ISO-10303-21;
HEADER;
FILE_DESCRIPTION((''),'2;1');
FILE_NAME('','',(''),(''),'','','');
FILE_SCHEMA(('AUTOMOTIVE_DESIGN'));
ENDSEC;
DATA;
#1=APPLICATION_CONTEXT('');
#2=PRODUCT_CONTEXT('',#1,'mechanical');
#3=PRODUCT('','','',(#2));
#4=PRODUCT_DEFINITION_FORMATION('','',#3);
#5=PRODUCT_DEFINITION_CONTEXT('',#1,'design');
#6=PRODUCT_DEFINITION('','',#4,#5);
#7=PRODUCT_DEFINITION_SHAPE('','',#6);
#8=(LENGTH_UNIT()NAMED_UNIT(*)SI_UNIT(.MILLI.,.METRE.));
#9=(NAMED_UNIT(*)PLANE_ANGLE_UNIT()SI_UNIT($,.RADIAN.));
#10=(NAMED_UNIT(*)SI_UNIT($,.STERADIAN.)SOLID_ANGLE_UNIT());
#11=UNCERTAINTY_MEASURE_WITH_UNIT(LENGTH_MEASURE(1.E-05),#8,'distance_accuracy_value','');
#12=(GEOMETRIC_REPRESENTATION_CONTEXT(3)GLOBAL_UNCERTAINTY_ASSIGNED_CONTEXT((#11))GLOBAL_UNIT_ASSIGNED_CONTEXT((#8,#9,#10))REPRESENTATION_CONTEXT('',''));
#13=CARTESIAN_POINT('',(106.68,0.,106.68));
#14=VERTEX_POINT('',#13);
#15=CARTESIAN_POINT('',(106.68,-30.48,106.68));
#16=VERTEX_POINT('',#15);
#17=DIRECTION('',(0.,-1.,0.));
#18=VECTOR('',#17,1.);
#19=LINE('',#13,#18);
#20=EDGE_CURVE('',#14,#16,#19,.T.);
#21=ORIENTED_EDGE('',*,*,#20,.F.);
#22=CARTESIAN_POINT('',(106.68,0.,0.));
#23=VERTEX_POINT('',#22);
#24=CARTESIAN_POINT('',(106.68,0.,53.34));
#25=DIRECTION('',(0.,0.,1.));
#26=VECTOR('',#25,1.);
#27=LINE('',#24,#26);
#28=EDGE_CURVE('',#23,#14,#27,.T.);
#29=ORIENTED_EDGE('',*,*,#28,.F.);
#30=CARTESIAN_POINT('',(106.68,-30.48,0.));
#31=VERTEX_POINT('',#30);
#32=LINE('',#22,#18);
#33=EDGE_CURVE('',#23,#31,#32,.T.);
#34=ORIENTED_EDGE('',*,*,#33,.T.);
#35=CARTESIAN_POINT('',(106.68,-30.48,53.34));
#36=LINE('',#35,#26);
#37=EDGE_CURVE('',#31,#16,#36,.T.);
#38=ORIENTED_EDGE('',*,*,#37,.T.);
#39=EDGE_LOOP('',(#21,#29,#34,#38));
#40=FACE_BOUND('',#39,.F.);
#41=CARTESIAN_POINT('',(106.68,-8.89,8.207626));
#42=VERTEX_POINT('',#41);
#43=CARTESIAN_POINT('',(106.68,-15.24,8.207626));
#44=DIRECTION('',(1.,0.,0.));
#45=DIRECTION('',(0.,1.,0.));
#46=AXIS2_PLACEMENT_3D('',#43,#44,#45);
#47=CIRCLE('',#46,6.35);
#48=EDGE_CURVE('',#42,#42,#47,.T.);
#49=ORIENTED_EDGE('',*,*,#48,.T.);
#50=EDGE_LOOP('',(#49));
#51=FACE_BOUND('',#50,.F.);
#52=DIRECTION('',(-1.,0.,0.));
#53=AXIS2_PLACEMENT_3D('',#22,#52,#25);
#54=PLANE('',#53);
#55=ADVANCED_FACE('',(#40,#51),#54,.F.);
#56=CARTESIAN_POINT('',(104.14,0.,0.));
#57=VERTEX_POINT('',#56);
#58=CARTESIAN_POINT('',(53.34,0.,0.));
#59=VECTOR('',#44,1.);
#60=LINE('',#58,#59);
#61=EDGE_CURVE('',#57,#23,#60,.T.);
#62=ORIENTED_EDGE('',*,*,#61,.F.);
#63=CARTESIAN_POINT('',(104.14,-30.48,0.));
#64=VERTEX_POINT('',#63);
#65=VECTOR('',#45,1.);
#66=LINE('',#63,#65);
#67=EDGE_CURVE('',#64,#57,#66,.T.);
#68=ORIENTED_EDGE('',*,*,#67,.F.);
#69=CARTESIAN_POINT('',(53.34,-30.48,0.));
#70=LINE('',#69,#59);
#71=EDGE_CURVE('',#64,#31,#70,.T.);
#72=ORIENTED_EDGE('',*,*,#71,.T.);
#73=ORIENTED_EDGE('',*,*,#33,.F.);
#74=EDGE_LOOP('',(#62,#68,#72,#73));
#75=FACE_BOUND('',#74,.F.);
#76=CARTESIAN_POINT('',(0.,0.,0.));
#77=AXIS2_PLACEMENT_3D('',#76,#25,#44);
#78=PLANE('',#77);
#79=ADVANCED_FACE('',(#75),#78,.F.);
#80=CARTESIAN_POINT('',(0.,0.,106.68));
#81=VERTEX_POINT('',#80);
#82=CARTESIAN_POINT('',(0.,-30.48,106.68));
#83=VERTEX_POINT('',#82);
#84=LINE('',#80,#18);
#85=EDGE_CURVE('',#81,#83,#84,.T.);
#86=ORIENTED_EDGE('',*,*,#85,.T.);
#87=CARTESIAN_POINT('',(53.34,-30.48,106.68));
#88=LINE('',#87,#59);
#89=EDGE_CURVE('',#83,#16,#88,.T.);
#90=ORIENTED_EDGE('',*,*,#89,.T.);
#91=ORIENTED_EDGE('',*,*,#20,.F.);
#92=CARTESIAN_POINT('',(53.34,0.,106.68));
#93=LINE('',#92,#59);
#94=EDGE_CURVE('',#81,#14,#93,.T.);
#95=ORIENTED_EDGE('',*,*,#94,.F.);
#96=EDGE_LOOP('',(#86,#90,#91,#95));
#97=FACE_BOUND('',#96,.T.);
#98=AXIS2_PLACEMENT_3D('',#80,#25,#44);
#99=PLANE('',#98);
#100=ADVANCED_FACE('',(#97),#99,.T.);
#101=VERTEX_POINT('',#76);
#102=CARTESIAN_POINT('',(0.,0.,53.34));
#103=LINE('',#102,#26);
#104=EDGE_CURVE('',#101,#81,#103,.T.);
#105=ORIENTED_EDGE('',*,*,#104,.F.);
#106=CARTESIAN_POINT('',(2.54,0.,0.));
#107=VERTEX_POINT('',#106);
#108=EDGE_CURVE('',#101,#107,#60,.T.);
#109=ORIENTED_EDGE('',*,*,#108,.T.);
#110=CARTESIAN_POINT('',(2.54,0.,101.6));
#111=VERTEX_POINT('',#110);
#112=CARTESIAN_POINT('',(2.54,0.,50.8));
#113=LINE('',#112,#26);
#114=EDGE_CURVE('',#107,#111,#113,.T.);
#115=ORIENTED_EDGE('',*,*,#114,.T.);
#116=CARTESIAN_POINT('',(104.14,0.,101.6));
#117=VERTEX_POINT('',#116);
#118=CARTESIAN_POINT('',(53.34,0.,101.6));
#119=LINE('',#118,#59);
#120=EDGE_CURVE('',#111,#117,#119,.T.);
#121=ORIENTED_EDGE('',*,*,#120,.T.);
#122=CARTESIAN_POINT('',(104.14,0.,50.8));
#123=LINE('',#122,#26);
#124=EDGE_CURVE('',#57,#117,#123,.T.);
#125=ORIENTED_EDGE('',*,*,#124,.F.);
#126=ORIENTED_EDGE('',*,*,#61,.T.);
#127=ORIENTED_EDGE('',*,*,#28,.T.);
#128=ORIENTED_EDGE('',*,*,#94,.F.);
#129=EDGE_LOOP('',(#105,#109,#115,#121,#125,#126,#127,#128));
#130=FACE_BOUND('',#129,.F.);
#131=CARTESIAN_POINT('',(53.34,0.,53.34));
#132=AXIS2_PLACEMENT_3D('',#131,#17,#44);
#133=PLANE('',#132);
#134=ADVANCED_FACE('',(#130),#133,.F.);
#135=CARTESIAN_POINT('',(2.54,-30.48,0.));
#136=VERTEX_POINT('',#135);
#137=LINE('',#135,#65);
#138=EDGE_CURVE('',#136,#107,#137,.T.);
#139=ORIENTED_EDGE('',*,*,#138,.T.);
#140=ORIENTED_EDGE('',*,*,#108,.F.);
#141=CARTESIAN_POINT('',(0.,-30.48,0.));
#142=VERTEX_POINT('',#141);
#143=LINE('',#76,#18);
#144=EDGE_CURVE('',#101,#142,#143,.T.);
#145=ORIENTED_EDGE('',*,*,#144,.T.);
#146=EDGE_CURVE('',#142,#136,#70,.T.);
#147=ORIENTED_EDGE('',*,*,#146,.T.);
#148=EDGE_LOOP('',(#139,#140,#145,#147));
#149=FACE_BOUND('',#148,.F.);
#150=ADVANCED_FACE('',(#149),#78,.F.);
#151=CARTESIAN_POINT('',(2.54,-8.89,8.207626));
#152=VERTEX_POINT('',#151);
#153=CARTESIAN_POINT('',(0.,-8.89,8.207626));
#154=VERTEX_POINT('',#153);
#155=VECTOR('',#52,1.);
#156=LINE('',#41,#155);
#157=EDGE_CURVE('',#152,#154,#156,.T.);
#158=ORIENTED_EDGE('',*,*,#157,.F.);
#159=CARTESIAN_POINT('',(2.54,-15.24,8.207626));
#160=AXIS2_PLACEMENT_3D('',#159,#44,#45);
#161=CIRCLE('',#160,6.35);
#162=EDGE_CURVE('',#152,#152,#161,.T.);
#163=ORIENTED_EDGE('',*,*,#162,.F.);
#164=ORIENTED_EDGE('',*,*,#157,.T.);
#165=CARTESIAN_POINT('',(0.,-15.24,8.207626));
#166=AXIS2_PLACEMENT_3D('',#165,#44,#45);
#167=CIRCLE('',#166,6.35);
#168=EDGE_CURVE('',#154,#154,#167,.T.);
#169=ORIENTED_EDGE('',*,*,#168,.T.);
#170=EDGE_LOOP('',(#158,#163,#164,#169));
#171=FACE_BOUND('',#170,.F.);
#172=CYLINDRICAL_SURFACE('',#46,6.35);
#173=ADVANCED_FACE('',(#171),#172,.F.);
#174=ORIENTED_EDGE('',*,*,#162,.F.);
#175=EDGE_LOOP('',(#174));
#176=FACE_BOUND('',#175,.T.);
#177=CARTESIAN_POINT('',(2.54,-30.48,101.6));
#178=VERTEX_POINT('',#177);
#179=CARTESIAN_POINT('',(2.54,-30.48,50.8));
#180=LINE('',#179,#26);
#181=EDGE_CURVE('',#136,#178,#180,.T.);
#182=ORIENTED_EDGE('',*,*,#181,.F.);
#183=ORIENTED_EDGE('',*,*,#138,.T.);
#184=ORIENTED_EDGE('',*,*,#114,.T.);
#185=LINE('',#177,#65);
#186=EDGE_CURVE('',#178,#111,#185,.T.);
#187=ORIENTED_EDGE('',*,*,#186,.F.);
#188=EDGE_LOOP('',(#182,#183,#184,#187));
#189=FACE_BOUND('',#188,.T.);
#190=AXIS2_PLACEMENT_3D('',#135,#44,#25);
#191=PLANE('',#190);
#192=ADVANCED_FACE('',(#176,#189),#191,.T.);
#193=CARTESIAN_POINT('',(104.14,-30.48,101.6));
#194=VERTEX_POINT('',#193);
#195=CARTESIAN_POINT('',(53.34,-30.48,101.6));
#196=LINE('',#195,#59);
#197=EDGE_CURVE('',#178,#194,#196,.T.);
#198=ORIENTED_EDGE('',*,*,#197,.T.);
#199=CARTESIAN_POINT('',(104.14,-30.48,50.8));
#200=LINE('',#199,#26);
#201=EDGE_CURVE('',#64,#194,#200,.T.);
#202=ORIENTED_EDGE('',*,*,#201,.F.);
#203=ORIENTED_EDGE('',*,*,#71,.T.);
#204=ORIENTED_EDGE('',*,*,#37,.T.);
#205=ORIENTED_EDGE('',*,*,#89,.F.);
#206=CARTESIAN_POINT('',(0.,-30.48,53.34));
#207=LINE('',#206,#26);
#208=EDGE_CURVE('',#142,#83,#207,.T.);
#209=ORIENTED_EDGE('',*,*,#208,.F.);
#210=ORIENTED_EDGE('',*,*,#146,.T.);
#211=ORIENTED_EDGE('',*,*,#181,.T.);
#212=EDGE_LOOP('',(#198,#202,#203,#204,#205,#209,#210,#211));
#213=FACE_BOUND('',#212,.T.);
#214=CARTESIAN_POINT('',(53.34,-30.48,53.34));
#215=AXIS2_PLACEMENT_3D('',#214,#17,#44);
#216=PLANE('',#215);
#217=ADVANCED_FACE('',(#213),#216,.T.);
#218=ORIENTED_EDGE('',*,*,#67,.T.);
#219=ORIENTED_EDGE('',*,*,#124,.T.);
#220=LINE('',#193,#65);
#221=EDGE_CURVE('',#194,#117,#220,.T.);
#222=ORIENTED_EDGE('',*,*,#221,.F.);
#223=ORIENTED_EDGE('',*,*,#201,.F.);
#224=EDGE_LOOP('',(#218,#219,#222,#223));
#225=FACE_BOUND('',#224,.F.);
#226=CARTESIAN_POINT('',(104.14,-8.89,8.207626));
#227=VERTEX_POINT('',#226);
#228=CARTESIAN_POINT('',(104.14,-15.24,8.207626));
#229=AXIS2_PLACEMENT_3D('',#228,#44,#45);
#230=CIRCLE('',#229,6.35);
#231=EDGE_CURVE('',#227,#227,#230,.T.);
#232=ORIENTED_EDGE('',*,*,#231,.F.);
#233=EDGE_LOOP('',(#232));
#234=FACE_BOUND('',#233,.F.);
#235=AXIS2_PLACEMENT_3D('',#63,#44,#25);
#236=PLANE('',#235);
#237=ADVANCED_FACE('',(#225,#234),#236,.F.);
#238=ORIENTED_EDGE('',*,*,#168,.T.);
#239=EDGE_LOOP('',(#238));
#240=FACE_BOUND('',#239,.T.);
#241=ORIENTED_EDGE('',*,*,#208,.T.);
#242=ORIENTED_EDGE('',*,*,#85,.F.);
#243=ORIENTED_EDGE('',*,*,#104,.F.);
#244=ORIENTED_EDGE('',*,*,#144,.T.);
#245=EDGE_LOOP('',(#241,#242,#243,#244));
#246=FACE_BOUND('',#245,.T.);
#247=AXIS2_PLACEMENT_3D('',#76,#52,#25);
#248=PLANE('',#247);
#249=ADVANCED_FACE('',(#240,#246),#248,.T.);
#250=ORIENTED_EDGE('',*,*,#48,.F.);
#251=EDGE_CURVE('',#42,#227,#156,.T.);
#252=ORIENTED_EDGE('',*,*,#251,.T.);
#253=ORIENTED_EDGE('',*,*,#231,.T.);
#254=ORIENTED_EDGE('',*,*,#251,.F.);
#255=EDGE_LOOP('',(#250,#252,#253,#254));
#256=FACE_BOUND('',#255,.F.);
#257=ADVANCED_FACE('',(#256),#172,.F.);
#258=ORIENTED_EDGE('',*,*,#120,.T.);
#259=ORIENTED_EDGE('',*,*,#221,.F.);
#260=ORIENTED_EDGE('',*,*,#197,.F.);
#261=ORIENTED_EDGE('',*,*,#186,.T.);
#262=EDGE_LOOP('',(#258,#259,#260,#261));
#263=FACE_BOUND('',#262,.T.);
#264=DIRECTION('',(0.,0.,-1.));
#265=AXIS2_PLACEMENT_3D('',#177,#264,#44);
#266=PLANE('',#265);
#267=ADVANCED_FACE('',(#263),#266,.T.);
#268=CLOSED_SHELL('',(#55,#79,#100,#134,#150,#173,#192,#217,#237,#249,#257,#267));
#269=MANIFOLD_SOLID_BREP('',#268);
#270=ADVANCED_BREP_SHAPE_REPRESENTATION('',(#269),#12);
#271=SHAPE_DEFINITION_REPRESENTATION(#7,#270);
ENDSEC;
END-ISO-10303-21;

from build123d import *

# Parameters (mm, degrees)
F0_W     = 106.68
F0_H     = 106.68
F1_DEPTH = 30.48
F2_W     = 101.6
F2_H     = 101.6
F3_DEPTH = 30.48
F4_R     = 6.35
F5_DEPTH = 106.68


with BuildPart() as f1:
    # F0 (on Front) → F1 (new body)
    with BuildSketch(Plane.XZ):
        with Locations((53.34, 53.34)):
            Rectangle(F0_W, F0_H)
    extrude(amount=F1_DEPTH)

    # F2 (on face) → F3 (cut)
    with BuildSketch(Plane.XZ.offset(30.48)):
        with Locations((53.34, 50.8)):
            Rectangle(F2_W, F2_H)
    extrude(amount=-F3_DEPTH, mode=Mode.SUBTRACT)

    # F4 (on face) → F5 (cut)
    with BuildSketch(Plane.YZ.offset(106.68)):
        with Locations((-15.24, 8.207626)):
            Circle(F4_R)
    extrude(amount=-F5_DEPTH, mode=Mode.SUBTRACT)


solid = f1.part
